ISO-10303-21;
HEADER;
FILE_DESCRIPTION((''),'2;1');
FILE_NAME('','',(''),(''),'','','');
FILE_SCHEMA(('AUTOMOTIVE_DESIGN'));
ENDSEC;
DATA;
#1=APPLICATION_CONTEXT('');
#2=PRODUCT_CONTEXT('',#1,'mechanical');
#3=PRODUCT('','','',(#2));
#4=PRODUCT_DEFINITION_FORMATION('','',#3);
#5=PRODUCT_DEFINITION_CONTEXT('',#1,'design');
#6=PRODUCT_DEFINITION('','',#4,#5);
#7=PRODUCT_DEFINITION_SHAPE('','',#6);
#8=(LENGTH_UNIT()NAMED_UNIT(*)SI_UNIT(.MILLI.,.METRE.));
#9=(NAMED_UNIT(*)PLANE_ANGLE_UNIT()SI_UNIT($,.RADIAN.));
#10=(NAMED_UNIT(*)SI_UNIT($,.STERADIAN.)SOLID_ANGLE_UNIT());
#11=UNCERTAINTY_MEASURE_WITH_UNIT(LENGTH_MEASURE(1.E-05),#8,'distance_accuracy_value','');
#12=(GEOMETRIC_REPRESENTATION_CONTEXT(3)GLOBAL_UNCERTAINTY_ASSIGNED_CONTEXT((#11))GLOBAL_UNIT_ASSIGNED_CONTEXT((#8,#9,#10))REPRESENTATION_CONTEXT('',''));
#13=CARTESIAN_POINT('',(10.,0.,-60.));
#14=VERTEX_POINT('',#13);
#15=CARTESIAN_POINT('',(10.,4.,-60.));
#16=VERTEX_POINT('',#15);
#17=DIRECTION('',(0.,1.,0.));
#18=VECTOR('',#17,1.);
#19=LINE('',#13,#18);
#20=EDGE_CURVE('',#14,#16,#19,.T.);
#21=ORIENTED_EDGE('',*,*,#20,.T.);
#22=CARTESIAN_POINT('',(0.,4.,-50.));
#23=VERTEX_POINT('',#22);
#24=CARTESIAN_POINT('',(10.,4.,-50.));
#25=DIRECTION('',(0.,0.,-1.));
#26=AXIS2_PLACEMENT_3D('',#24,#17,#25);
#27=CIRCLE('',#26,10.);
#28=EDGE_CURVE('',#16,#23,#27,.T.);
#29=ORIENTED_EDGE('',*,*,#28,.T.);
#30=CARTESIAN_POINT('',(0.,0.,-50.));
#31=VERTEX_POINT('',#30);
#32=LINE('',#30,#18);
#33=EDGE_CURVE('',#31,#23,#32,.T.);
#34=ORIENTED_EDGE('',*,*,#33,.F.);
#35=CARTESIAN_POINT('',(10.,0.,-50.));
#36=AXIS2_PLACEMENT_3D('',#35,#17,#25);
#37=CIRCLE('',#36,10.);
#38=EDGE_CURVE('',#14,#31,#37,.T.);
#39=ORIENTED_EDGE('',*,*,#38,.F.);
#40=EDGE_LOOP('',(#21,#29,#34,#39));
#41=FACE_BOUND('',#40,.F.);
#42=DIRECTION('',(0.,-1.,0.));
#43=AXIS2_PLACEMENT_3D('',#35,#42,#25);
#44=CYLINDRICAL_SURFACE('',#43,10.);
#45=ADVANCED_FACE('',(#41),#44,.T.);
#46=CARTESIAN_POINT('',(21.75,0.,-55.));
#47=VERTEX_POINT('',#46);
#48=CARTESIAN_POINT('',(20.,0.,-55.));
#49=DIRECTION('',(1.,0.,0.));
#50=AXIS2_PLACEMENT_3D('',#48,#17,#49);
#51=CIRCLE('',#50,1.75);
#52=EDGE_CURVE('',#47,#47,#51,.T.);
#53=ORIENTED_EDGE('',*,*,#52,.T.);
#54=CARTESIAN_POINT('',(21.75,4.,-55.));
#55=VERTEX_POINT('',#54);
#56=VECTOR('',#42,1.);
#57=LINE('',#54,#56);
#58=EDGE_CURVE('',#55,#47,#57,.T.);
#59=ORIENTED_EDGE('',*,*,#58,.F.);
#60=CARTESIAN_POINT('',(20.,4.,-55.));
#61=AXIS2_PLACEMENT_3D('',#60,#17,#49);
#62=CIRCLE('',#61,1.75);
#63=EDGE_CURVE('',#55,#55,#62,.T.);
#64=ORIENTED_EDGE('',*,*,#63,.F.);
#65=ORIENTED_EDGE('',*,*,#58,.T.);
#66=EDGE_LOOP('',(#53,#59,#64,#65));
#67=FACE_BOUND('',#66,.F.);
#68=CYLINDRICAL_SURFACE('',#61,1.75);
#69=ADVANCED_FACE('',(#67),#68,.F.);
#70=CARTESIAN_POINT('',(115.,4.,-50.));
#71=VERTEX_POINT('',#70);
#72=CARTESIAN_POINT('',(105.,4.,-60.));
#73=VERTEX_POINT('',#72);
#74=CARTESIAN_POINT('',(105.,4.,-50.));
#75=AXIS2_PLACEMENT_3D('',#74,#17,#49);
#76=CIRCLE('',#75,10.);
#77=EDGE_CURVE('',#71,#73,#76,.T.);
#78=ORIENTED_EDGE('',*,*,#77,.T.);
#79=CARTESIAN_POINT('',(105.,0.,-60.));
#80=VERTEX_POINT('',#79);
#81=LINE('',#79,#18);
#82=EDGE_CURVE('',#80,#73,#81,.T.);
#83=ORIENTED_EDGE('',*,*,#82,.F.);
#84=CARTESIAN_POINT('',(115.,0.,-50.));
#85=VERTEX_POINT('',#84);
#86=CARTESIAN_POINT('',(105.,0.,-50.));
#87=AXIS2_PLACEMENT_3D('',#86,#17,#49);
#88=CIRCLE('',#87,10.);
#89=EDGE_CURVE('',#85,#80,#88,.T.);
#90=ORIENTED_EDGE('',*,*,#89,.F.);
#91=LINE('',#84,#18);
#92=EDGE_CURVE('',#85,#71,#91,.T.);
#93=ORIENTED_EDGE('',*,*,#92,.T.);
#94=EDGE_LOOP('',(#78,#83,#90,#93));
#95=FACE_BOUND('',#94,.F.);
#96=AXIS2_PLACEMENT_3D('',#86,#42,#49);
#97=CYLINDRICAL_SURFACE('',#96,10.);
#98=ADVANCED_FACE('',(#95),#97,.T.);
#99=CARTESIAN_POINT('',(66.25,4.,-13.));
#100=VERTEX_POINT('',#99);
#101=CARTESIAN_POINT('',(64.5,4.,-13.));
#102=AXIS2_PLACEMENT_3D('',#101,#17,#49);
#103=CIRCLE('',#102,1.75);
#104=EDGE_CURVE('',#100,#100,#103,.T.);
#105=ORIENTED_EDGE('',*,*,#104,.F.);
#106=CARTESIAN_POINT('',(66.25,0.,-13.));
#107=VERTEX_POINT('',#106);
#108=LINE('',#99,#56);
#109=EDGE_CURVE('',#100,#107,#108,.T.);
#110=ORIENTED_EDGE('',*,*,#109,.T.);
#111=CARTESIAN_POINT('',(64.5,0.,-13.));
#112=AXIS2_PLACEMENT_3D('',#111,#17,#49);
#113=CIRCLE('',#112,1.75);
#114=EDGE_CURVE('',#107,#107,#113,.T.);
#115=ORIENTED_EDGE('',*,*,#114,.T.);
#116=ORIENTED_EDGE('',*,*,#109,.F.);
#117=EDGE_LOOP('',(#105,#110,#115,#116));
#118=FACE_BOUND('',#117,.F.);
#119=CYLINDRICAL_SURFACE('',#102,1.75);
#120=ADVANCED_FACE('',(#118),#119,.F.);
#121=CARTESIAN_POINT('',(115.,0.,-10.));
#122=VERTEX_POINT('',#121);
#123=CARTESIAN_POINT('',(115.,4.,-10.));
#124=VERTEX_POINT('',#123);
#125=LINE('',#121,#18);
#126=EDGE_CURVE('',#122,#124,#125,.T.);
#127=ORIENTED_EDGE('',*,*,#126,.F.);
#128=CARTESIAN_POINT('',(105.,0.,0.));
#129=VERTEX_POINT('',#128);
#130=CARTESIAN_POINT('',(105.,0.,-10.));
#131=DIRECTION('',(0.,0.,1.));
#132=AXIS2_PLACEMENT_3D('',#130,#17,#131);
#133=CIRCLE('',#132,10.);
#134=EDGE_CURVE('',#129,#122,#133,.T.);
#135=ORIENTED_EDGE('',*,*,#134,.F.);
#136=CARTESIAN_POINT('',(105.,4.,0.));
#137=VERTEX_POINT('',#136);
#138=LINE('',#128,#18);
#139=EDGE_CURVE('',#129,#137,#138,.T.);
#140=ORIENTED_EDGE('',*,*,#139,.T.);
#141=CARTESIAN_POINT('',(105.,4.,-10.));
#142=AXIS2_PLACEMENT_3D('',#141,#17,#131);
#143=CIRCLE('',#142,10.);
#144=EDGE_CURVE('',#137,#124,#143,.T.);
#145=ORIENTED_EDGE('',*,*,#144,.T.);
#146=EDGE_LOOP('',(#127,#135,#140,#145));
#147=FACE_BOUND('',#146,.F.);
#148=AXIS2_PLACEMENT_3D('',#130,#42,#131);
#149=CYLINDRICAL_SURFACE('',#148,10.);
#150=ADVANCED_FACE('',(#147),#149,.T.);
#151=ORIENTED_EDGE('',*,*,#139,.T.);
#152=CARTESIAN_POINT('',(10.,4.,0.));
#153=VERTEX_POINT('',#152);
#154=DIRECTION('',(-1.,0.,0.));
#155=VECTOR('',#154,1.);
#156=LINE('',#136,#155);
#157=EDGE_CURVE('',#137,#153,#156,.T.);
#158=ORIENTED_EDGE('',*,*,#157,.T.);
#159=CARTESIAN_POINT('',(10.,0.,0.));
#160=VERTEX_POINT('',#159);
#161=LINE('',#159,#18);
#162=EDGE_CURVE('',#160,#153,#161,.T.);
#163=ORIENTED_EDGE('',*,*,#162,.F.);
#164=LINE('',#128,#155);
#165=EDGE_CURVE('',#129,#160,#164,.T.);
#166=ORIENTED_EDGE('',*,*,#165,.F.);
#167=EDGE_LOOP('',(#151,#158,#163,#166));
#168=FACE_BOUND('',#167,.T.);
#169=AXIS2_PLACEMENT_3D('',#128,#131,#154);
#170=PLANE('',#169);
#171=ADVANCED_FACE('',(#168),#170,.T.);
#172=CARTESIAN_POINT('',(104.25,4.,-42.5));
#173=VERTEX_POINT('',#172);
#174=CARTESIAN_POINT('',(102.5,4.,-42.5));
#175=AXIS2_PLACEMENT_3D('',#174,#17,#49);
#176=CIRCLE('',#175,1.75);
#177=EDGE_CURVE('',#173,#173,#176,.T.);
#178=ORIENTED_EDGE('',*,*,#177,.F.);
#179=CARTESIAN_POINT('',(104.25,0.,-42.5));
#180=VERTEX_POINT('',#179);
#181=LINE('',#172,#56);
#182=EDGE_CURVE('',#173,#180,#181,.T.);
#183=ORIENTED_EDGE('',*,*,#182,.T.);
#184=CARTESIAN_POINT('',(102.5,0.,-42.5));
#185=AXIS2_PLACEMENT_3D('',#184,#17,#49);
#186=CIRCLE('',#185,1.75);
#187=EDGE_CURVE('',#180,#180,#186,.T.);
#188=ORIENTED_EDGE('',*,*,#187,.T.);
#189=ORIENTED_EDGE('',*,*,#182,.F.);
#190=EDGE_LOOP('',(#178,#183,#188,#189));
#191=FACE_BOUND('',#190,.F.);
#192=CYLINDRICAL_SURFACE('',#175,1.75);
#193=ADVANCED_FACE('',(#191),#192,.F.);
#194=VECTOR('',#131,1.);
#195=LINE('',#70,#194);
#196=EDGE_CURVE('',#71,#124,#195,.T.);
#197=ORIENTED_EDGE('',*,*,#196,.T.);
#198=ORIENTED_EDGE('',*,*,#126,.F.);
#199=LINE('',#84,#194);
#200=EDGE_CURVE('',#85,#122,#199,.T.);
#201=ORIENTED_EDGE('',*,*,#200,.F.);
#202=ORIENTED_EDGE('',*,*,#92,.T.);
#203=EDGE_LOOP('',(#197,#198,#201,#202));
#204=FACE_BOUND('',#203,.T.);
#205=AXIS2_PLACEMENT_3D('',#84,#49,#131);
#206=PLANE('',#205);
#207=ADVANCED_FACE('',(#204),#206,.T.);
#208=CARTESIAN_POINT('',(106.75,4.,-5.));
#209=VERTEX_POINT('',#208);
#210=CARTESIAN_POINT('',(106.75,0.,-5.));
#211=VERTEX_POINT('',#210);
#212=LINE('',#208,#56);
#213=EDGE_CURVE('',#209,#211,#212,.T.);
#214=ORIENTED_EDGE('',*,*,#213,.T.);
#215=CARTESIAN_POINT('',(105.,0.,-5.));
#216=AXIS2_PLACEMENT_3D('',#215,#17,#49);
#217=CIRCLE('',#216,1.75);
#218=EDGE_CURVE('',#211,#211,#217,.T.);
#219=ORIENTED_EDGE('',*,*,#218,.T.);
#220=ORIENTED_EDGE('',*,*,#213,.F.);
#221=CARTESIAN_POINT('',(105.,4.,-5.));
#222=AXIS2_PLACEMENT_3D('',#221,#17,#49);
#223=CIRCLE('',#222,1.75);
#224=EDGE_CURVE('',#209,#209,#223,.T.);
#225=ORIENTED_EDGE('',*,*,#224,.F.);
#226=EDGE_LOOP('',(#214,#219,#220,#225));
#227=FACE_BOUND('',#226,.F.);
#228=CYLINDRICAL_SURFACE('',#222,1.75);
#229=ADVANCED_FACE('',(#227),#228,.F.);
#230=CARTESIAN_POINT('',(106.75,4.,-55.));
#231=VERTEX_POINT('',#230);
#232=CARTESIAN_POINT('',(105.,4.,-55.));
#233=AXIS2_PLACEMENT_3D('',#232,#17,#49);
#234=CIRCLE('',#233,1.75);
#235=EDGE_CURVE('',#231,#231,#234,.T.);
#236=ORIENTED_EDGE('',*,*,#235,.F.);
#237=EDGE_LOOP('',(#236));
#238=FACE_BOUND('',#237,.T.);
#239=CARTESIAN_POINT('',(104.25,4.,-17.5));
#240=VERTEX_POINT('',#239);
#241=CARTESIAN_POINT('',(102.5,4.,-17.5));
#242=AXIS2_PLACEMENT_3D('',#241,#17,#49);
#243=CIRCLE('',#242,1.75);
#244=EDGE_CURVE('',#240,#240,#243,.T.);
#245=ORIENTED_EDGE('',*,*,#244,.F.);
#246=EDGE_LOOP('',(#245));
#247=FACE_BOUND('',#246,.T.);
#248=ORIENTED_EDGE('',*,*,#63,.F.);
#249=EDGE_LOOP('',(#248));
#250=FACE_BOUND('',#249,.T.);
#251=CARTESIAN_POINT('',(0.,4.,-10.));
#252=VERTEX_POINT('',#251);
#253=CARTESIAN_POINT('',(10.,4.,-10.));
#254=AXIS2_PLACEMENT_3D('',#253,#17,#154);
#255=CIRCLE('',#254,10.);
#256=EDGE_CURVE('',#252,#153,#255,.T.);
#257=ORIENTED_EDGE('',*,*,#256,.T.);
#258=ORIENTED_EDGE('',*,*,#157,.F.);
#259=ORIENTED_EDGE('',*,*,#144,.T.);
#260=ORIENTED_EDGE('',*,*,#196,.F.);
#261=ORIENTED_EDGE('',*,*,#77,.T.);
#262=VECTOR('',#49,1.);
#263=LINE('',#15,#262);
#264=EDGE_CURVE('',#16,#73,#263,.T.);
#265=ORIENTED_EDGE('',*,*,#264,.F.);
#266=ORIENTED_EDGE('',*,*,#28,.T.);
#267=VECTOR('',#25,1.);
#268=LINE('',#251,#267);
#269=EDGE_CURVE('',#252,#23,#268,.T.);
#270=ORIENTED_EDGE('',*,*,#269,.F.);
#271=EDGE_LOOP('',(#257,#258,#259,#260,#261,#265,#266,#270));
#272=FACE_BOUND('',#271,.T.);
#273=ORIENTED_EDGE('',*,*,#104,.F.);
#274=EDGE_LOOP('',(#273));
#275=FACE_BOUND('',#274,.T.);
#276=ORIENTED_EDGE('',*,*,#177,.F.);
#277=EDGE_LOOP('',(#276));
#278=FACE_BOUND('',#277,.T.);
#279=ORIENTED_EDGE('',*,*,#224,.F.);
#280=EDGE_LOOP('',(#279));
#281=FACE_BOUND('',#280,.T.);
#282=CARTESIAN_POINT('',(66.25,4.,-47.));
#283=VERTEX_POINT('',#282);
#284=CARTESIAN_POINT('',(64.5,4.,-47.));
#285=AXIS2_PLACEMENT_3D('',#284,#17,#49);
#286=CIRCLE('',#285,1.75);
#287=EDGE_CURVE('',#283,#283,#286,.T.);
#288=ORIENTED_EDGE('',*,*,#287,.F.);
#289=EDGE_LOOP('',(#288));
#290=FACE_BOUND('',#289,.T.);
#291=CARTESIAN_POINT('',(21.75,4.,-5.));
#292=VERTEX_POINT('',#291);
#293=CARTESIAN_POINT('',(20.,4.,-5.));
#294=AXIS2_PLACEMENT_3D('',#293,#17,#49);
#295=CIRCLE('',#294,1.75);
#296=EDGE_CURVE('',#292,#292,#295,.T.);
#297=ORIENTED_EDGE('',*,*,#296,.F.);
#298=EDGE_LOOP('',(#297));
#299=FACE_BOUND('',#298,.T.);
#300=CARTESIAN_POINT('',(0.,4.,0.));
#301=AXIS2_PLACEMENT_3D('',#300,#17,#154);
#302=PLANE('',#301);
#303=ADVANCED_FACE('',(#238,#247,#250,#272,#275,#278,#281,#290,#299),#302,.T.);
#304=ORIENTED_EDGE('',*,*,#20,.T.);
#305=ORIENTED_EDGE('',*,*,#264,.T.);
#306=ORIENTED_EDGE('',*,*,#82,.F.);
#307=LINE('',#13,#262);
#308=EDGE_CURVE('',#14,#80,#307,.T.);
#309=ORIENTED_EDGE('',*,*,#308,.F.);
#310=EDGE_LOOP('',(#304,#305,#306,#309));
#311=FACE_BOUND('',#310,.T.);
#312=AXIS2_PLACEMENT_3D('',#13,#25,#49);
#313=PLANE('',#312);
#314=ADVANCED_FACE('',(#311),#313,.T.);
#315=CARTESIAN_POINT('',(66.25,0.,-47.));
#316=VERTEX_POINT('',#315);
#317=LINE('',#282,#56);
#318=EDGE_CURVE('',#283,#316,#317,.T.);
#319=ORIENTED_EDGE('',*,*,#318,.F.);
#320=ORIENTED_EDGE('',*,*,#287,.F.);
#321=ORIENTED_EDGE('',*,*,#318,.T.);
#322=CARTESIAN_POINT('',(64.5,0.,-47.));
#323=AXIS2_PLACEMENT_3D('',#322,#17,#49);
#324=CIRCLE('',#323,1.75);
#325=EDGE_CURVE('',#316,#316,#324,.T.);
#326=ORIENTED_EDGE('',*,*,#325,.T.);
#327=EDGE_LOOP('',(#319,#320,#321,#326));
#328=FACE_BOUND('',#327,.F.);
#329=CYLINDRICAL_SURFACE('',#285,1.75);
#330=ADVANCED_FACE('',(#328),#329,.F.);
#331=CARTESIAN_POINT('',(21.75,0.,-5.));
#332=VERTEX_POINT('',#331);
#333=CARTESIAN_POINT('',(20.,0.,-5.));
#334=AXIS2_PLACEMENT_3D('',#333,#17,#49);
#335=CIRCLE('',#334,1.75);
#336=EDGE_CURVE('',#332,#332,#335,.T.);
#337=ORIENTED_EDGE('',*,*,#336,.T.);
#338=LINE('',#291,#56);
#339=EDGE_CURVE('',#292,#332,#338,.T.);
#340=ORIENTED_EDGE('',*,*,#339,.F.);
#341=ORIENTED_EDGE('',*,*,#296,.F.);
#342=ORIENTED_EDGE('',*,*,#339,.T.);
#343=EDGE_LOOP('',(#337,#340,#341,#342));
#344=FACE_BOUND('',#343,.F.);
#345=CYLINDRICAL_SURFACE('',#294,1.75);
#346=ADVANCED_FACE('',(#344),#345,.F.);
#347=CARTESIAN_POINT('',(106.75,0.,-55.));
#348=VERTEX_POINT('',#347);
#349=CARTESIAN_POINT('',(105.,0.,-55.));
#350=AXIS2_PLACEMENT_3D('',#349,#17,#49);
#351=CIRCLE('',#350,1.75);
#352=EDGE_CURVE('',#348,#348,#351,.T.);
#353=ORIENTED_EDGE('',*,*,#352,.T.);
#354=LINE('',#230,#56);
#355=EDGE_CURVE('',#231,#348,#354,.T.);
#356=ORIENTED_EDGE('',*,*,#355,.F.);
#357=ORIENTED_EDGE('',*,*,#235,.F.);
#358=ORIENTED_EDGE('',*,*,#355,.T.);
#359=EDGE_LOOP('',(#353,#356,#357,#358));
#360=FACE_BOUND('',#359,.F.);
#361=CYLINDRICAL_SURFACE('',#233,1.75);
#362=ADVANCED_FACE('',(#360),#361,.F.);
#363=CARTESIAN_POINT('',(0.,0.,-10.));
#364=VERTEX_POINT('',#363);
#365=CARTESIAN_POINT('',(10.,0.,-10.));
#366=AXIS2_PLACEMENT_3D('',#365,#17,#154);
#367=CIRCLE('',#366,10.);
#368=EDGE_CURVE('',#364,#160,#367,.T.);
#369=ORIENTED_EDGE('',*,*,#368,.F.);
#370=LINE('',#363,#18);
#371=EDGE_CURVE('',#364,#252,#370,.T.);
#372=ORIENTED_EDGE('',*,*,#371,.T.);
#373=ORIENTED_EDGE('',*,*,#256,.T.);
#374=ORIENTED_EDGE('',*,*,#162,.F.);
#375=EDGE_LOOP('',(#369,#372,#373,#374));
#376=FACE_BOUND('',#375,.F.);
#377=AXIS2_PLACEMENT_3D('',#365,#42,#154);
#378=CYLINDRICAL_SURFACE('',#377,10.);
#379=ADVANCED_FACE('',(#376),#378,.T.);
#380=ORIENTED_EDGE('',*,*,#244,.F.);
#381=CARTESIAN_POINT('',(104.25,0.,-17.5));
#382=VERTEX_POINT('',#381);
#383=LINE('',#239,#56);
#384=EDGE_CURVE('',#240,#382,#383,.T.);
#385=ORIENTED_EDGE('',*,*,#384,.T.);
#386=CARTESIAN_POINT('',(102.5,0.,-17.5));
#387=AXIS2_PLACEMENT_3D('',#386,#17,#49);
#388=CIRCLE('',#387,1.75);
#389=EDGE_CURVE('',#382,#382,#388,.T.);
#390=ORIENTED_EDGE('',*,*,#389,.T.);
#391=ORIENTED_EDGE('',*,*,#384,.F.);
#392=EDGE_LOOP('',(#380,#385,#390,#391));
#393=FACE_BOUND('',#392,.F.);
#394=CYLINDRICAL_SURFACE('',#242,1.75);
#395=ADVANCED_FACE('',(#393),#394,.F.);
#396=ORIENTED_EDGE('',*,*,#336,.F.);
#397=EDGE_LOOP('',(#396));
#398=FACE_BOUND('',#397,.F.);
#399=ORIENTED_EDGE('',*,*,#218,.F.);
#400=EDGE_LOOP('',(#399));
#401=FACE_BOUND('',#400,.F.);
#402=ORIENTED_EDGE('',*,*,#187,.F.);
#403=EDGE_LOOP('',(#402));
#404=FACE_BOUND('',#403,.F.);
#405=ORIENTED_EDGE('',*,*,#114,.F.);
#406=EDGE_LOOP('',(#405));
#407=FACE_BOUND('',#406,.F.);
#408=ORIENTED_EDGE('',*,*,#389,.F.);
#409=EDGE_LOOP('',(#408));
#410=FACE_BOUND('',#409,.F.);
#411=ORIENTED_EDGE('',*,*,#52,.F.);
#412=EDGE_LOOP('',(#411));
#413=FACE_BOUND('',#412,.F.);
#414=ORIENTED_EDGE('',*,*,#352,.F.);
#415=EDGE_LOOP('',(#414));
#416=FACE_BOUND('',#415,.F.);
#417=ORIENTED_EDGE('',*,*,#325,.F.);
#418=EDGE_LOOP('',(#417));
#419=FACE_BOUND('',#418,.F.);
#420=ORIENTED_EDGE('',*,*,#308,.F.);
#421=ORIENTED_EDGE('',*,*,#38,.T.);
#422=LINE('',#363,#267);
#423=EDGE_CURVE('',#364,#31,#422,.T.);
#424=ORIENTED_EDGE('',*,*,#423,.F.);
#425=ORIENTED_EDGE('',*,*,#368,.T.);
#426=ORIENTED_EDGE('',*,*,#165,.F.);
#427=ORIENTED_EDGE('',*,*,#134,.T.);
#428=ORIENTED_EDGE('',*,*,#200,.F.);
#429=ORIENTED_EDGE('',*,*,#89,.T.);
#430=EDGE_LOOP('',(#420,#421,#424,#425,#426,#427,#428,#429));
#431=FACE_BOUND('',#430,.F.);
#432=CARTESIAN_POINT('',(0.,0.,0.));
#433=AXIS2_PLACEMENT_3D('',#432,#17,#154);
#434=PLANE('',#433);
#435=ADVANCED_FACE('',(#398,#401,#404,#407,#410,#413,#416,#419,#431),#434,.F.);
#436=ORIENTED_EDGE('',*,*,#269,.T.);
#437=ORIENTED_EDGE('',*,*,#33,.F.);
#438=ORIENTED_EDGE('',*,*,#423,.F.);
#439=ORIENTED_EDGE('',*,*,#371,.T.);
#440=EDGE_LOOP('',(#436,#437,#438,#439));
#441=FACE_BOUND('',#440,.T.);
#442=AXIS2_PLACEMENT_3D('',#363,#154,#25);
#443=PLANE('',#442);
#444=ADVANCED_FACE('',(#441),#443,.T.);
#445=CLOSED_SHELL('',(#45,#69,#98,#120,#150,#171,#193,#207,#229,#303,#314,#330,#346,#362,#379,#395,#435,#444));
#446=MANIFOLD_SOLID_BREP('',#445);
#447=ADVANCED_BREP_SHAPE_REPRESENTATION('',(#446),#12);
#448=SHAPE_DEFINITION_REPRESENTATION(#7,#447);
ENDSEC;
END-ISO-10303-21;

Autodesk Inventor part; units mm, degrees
ref_plane "YZ Plane" through (0, 0, 0) normal (1, 0, 0) x (0, 1, 0)
ref_plane "XZ Plane" through (0, 0, 0) normal (0, 1, 0) x (-1, 0, 0)
ref_plane "XY Plane" through (0, 0, 0) normal (0, 0, 1) x (1, 0, 0)
sketch "Sketch1" plane through (0, 0, 0) normal (0, 1, 0) x (-1, 0, 0)
  line L0 (-10, -60) -> (-105, -60)
  line L1 (-115, -50) -> (-115, -10)
  line L2 (-105, 0) -> (-10, 0)
  line L3 (0, -10) -> (0, -50)
  arc A0 (-10, -60) -> (0, -50) centre (-10, -50) ccw
  arc A1 (0, -10) -> (-10, 0) centre (-10, -10) ccw
  arc A2 (-115, -50) -> (-105, -60) centre (-105, -50) ccw
  arc A3 (-105, 0) -> (-115, -10) centre (-105, -10) ccw
  point P0 (0, 0)
  point P1 (0, -60)
  point P2 (-115, 0)
  point P3 (-115, -60)
  point P4 (0, 0)
  dimension "d0" = 115
  dimension "d1" = 60
  dimension "d29" = 10
extrude "Extrusion1" add sketch "Sketch1" along normal blind 4
sketch "Sketch2" plane through (0, 4, 0) normal (0, 1, 0) x (1, 0, 0)
  circle A0 centre (20, 55) radius 1.75
  line L0 (105, 60) -> (10, 60) projected
  line L1 (0, 50) -> (0, 0) projected
  circle A1 centre (105, 55) radius 1.75
  circle A2 centre (20, 5) radius 1.75
  circle A3 centre (105, 5) radius 1.75
  circle A4 centre (102.5, 42.5) radius 1.75
  circle A5 centre (102.5, 17.5) radius 1.75
  line L2 (115, 10) -> (115, 50) projected
  circle A6 centre (64.5, 47) radius 1.75
  circle A7 centre (64.5, 13) radius 1.75
  point P0 (115, 60)
  point P1 (0, 60)
  point P2 (115, 0)
  dimension "d4" = 3.5
  dimension "d5" = 5
  dimension "d6" = 20
  dimension "d9" = 85
  dimension "d12" = 50
  dimension "d15" = 3.5
  dimension "d16" = 3.5
  dimension "d17" = 25
  dimension "d18" = 0
  dimension "d19" = 12.5
  dimension "d20" = 3.5
  dimension "d21" = 3.5
  dimension "d22" = 34
  dimension "d23" = 0
  dimension "d24" = 38
  dimension "d25" = 17.5
  dimension "d26" = 13
extrude "Extrusion2" cut sketch "Sketch2" against normal through all
properties part number "rfid_cover"
